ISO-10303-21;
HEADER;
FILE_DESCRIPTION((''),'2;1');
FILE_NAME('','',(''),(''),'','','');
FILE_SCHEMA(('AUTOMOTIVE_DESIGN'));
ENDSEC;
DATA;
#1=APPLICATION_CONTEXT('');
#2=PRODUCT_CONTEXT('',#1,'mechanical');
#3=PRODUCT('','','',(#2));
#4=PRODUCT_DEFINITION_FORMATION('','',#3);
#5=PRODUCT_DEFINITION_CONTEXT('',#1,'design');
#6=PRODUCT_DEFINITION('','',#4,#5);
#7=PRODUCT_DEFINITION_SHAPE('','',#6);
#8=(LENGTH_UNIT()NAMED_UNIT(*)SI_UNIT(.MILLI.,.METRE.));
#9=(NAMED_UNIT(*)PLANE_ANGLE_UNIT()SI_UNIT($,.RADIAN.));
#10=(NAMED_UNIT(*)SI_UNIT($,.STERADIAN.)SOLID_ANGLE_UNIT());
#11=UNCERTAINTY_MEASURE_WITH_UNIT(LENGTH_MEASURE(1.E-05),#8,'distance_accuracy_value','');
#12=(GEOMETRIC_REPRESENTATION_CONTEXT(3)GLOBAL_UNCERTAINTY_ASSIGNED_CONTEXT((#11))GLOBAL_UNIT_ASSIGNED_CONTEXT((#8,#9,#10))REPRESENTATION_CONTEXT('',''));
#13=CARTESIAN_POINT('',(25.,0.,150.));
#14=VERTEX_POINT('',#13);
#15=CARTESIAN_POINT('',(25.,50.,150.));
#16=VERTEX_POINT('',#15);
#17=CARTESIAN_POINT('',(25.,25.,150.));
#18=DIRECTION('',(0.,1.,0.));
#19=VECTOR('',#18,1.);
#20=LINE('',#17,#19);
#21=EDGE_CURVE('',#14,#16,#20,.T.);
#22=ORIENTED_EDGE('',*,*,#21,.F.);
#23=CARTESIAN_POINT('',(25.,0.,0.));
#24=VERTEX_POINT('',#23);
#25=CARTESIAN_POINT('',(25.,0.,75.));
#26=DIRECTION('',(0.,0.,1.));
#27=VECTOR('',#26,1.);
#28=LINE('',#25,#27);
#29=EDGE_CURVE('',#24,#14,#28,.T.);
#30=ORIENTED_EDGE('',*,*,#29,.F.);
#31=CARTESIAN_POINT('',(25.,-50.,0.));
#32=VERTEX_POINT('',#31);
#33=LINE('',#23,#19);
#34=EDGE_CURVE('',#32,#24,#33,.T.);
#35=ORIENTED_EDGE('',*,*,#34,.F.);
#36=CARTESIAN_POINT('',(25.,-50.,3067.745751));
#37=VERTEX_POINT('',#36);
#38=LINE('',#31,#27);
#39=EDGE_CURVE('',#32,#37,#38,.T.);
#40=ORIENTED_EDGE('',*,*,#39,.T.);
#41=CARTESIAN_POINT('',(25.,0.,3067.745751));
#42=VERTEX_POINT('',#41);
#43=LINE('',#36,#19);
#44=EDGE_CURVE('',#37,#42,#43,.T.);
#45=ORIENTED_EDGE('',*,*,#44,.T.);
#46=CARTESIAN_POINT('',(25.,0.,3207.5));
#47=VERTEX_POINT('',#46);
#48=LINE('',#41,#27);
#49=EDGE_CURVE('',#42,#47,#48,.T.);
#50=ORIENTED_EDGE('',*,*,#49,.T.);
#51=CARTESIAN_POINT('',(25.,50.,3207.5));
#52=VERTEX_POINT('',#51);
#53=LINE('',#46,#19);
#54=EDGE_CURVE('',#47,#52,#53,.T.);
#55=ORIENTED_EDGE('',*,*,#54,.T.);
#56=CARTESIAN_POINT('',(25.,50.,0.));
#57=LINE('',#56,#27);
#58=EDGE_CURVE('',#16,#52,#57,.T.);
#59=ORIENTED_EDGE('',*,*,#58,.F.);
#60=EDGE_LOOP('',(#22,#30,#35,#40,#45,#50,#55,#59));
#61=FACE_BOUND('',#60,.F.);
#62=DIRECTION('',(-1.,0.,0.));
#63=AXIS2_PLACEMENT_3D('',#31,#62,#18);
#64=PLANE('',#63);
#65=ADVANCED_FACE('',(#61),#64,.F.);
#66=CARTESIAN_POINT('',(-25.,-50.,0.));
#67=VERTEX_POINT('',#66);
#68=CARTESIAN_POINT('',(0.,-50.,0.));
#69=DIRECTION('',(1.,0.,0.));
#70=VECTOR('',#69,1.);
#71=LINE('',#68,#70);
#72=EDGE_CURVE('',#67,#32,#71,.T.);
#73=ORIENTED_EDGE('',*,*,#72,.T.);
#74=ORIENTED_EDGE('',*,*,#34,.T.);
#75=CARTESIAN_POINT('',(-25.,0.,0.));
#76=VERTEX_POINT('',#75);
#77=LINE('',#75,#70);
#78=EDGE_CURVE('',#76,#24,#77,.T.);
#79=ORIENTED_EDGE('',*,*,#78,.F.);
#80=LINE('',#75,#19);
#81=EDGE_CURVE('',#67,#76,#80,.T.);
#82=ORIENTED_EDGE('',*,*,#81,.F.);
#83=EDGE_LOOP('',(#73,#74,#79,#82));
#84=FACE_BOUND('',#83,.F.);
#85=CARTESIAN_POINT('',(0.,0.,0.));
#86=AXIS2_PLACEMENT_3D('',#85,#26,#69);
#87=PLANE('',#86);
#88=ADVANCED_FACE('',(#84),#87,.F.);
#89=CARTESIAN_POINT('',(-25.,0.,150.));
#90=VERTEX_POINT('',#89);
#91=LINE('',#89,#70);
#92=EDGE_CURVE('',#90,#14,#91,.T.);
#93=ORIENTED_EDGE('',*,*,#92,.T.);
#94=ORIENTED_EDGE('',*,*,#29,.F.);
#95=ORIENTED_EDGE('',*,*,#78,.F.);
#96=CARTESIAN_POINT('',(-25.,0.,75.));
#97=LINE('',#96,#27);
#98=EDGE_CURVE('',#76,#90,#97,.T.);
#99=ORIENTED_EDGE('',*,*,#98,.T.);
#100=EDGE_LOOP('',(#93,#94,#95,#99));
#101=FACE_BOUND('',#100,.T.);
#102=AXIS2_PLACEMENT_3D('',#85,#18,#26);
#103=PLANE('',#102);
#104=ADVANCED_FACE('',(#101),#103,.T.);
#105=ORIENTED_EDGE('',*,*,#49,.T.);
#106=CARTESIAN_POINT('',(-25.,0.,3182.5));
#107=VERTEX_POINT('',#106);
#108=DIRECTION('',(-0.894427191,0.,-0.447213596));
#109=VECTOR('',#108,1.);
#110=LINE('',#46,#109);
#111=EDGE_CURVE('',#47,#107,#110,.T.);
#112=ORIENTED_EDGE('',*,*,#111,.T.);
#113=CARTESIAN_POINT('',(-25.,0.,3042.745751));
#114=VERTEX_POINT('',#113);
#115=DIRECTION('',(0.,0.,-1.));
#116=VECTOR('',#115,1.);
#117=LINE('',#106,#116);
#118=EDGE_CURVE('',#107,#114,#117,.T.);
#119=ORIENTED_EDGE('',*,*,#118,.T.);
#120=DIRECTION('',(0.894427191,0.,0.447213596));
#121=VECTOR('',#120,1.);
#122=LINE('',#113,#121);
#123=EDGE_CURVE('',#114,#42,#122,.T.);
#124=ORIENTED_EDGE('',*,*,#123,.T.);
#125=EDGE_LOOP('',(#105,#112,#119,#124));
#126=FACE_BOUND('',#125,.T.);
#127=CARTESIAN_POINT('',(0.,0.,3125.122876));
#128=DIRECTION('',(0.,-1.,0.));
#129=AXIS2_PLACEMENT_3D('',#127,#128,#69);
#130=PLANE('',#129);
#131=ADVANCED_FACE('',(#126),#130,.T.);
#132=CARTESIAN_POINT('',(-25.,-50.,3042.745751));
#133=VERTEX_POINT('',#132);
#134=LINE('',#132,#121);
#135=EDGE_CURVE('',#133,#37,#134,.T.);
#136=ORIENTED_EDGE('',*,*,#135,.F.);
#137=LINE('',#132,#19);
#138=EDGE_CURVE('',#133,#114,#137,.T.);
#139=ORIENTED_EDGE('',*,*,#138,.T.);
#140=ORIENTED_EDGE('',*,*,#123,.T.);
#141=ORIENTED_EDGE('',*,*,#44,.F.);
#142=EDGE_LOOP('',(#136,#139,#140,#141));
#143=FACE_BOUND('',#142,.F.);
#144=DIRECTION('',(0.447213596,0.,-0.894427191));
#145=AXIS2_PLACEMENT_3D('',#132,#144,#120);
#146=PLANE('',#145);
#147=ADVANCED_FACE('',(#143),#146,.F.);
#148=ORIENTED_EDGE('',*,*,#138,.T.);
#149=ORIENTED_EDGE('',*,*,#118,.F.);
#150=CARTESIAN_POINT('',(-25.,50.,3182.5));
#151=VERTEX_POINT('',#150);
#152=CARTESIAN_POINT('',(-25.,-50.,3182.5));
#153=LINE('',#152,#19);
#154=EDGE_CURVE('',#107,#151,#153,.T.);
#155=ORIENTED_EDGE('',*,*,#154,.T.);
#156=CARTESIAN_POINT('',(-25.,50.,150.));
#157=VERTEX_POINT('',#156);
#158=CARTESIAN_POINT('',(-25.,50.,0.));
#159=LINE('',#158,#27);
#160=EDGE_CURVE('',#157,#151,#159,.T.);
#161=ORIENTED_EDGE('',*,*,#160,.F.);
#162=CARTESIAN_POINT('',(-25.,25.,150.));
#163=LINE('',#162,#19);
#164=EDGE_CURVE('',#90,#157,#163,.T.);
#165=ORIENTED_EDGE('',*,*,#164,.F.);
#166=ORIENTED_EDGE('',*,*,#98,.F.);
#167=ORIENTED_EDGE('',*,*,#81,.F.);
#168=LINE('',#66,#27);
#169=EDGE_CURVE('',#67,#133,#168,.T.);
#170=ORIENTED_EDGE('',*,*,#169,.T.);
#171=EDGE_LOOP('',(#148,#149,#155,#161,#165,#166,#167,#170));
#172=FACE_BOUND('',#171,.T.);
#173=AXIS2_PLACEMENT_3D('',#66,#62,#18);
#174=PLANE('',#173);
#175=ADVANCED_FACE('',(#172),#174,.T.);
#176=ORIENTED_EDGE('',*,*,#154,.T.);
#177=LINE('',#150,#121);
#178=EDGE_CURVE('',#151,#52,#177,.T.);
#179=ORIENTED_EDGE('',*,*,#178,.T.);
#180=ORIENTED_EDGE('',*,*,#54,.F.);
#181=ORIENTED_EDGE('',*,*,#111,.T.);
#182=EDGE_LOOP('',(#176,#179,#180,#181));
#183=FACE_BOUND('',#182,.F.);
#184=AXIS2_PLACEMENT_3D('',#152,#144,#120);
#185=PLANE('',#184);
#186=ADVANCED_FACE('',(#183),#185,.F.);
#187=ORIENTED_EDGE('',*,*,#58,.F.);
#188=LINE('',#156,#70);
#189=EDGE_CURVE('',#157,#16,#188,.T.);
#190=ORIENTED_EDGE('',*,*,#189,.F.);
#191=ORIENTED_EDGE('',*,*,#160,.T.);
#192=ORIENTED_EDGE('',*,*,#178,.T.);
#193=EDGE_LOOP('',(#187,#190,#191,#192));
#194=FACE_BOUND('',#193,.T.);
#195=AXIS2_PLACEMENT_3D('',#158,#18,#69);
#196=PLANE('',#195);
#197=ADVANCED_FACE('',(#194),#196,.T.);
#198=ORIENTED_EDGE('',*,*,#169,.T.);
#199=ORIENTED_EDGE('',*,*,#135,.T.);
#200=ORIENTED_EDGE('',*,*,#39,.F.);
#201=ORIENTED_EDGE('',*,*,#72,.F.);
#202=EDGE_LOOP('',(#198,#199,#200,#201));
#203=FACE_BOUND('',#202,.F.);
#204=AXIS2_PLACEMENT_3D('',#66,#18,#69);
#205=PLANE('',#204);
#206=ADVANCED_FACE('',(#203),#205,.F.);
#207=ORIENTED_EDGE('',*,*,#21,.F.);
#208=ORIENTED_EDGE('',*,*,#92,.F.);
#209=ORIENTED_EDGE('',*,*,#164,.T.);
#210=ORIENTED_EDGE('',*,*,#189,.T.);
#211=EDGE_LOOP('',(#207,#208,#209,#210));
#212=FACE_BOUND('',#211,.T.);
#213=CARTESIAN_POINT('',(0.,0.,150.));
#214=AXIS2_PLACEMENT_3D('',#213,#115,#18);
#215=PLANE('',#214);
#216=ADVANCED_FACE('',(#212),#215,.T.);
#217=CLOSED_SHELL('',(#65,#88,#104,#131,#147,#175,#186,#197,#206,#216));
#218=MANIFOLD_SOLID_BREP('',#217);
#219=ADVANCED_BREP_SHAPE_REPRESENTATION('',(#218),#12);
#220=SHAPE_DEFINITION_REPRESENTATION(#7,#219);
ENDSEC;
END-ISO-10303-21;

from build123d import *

# Parameters (mm, degrees)
F0_W          = 50
F0_H          = 100
F1_DEPTH      = 3207.5
F2_W          = 50
F2_H          = 150
F3_DEPTH      = 25
F3_DEPTH_BACK = 25
F5_DEPTH      = 100
F7_DEPTH      = 50


with BuildPart() as f1:
    # F0 (on Top) → F1 (new body)
    with BuildSketch(Plane.XY):
        Rectangle(F0_W, F0_H)
    extrude(amount=F1_DEPTH)

    # F2 (on Right) → F3 (cut, two sides)
    with BuildSketch(Plane.YZ) as f3_sk:
        with Locations((25, 75)):
            Rectangle(F2_W, F2_H)
    extrude(amount=-F3_DEPTH, mode=Mode.SUBTRACT)
    extrude(f3_sk.sketch, amount=F3_DEPTH_BACK, mode=Mode.SUBTRACT)

    # F4 (on face) → F5 (cut, through all)
    with BuildSketch(Plane.XZ.offset(50)):
        Polygon((-25, 3182.5), (25, 3207.5), (-25, 3207.5), align=None)
    extrude(amount=-F5_DEPTH, mode=Mode.SUBTRACT)

    # F6 (on face) → F7 (cut)
    with BuildSketch(Plane.XZ.offset(50)):
        Polygon((-25, 3182.5), (-25, 3042.7457514063), (25, 3067.7457514063), (25, 3207.5), align=None)
    extrude(amount=-F7_DEPTH, mode=Mode.SUBTRACT)


solid = f1.part
